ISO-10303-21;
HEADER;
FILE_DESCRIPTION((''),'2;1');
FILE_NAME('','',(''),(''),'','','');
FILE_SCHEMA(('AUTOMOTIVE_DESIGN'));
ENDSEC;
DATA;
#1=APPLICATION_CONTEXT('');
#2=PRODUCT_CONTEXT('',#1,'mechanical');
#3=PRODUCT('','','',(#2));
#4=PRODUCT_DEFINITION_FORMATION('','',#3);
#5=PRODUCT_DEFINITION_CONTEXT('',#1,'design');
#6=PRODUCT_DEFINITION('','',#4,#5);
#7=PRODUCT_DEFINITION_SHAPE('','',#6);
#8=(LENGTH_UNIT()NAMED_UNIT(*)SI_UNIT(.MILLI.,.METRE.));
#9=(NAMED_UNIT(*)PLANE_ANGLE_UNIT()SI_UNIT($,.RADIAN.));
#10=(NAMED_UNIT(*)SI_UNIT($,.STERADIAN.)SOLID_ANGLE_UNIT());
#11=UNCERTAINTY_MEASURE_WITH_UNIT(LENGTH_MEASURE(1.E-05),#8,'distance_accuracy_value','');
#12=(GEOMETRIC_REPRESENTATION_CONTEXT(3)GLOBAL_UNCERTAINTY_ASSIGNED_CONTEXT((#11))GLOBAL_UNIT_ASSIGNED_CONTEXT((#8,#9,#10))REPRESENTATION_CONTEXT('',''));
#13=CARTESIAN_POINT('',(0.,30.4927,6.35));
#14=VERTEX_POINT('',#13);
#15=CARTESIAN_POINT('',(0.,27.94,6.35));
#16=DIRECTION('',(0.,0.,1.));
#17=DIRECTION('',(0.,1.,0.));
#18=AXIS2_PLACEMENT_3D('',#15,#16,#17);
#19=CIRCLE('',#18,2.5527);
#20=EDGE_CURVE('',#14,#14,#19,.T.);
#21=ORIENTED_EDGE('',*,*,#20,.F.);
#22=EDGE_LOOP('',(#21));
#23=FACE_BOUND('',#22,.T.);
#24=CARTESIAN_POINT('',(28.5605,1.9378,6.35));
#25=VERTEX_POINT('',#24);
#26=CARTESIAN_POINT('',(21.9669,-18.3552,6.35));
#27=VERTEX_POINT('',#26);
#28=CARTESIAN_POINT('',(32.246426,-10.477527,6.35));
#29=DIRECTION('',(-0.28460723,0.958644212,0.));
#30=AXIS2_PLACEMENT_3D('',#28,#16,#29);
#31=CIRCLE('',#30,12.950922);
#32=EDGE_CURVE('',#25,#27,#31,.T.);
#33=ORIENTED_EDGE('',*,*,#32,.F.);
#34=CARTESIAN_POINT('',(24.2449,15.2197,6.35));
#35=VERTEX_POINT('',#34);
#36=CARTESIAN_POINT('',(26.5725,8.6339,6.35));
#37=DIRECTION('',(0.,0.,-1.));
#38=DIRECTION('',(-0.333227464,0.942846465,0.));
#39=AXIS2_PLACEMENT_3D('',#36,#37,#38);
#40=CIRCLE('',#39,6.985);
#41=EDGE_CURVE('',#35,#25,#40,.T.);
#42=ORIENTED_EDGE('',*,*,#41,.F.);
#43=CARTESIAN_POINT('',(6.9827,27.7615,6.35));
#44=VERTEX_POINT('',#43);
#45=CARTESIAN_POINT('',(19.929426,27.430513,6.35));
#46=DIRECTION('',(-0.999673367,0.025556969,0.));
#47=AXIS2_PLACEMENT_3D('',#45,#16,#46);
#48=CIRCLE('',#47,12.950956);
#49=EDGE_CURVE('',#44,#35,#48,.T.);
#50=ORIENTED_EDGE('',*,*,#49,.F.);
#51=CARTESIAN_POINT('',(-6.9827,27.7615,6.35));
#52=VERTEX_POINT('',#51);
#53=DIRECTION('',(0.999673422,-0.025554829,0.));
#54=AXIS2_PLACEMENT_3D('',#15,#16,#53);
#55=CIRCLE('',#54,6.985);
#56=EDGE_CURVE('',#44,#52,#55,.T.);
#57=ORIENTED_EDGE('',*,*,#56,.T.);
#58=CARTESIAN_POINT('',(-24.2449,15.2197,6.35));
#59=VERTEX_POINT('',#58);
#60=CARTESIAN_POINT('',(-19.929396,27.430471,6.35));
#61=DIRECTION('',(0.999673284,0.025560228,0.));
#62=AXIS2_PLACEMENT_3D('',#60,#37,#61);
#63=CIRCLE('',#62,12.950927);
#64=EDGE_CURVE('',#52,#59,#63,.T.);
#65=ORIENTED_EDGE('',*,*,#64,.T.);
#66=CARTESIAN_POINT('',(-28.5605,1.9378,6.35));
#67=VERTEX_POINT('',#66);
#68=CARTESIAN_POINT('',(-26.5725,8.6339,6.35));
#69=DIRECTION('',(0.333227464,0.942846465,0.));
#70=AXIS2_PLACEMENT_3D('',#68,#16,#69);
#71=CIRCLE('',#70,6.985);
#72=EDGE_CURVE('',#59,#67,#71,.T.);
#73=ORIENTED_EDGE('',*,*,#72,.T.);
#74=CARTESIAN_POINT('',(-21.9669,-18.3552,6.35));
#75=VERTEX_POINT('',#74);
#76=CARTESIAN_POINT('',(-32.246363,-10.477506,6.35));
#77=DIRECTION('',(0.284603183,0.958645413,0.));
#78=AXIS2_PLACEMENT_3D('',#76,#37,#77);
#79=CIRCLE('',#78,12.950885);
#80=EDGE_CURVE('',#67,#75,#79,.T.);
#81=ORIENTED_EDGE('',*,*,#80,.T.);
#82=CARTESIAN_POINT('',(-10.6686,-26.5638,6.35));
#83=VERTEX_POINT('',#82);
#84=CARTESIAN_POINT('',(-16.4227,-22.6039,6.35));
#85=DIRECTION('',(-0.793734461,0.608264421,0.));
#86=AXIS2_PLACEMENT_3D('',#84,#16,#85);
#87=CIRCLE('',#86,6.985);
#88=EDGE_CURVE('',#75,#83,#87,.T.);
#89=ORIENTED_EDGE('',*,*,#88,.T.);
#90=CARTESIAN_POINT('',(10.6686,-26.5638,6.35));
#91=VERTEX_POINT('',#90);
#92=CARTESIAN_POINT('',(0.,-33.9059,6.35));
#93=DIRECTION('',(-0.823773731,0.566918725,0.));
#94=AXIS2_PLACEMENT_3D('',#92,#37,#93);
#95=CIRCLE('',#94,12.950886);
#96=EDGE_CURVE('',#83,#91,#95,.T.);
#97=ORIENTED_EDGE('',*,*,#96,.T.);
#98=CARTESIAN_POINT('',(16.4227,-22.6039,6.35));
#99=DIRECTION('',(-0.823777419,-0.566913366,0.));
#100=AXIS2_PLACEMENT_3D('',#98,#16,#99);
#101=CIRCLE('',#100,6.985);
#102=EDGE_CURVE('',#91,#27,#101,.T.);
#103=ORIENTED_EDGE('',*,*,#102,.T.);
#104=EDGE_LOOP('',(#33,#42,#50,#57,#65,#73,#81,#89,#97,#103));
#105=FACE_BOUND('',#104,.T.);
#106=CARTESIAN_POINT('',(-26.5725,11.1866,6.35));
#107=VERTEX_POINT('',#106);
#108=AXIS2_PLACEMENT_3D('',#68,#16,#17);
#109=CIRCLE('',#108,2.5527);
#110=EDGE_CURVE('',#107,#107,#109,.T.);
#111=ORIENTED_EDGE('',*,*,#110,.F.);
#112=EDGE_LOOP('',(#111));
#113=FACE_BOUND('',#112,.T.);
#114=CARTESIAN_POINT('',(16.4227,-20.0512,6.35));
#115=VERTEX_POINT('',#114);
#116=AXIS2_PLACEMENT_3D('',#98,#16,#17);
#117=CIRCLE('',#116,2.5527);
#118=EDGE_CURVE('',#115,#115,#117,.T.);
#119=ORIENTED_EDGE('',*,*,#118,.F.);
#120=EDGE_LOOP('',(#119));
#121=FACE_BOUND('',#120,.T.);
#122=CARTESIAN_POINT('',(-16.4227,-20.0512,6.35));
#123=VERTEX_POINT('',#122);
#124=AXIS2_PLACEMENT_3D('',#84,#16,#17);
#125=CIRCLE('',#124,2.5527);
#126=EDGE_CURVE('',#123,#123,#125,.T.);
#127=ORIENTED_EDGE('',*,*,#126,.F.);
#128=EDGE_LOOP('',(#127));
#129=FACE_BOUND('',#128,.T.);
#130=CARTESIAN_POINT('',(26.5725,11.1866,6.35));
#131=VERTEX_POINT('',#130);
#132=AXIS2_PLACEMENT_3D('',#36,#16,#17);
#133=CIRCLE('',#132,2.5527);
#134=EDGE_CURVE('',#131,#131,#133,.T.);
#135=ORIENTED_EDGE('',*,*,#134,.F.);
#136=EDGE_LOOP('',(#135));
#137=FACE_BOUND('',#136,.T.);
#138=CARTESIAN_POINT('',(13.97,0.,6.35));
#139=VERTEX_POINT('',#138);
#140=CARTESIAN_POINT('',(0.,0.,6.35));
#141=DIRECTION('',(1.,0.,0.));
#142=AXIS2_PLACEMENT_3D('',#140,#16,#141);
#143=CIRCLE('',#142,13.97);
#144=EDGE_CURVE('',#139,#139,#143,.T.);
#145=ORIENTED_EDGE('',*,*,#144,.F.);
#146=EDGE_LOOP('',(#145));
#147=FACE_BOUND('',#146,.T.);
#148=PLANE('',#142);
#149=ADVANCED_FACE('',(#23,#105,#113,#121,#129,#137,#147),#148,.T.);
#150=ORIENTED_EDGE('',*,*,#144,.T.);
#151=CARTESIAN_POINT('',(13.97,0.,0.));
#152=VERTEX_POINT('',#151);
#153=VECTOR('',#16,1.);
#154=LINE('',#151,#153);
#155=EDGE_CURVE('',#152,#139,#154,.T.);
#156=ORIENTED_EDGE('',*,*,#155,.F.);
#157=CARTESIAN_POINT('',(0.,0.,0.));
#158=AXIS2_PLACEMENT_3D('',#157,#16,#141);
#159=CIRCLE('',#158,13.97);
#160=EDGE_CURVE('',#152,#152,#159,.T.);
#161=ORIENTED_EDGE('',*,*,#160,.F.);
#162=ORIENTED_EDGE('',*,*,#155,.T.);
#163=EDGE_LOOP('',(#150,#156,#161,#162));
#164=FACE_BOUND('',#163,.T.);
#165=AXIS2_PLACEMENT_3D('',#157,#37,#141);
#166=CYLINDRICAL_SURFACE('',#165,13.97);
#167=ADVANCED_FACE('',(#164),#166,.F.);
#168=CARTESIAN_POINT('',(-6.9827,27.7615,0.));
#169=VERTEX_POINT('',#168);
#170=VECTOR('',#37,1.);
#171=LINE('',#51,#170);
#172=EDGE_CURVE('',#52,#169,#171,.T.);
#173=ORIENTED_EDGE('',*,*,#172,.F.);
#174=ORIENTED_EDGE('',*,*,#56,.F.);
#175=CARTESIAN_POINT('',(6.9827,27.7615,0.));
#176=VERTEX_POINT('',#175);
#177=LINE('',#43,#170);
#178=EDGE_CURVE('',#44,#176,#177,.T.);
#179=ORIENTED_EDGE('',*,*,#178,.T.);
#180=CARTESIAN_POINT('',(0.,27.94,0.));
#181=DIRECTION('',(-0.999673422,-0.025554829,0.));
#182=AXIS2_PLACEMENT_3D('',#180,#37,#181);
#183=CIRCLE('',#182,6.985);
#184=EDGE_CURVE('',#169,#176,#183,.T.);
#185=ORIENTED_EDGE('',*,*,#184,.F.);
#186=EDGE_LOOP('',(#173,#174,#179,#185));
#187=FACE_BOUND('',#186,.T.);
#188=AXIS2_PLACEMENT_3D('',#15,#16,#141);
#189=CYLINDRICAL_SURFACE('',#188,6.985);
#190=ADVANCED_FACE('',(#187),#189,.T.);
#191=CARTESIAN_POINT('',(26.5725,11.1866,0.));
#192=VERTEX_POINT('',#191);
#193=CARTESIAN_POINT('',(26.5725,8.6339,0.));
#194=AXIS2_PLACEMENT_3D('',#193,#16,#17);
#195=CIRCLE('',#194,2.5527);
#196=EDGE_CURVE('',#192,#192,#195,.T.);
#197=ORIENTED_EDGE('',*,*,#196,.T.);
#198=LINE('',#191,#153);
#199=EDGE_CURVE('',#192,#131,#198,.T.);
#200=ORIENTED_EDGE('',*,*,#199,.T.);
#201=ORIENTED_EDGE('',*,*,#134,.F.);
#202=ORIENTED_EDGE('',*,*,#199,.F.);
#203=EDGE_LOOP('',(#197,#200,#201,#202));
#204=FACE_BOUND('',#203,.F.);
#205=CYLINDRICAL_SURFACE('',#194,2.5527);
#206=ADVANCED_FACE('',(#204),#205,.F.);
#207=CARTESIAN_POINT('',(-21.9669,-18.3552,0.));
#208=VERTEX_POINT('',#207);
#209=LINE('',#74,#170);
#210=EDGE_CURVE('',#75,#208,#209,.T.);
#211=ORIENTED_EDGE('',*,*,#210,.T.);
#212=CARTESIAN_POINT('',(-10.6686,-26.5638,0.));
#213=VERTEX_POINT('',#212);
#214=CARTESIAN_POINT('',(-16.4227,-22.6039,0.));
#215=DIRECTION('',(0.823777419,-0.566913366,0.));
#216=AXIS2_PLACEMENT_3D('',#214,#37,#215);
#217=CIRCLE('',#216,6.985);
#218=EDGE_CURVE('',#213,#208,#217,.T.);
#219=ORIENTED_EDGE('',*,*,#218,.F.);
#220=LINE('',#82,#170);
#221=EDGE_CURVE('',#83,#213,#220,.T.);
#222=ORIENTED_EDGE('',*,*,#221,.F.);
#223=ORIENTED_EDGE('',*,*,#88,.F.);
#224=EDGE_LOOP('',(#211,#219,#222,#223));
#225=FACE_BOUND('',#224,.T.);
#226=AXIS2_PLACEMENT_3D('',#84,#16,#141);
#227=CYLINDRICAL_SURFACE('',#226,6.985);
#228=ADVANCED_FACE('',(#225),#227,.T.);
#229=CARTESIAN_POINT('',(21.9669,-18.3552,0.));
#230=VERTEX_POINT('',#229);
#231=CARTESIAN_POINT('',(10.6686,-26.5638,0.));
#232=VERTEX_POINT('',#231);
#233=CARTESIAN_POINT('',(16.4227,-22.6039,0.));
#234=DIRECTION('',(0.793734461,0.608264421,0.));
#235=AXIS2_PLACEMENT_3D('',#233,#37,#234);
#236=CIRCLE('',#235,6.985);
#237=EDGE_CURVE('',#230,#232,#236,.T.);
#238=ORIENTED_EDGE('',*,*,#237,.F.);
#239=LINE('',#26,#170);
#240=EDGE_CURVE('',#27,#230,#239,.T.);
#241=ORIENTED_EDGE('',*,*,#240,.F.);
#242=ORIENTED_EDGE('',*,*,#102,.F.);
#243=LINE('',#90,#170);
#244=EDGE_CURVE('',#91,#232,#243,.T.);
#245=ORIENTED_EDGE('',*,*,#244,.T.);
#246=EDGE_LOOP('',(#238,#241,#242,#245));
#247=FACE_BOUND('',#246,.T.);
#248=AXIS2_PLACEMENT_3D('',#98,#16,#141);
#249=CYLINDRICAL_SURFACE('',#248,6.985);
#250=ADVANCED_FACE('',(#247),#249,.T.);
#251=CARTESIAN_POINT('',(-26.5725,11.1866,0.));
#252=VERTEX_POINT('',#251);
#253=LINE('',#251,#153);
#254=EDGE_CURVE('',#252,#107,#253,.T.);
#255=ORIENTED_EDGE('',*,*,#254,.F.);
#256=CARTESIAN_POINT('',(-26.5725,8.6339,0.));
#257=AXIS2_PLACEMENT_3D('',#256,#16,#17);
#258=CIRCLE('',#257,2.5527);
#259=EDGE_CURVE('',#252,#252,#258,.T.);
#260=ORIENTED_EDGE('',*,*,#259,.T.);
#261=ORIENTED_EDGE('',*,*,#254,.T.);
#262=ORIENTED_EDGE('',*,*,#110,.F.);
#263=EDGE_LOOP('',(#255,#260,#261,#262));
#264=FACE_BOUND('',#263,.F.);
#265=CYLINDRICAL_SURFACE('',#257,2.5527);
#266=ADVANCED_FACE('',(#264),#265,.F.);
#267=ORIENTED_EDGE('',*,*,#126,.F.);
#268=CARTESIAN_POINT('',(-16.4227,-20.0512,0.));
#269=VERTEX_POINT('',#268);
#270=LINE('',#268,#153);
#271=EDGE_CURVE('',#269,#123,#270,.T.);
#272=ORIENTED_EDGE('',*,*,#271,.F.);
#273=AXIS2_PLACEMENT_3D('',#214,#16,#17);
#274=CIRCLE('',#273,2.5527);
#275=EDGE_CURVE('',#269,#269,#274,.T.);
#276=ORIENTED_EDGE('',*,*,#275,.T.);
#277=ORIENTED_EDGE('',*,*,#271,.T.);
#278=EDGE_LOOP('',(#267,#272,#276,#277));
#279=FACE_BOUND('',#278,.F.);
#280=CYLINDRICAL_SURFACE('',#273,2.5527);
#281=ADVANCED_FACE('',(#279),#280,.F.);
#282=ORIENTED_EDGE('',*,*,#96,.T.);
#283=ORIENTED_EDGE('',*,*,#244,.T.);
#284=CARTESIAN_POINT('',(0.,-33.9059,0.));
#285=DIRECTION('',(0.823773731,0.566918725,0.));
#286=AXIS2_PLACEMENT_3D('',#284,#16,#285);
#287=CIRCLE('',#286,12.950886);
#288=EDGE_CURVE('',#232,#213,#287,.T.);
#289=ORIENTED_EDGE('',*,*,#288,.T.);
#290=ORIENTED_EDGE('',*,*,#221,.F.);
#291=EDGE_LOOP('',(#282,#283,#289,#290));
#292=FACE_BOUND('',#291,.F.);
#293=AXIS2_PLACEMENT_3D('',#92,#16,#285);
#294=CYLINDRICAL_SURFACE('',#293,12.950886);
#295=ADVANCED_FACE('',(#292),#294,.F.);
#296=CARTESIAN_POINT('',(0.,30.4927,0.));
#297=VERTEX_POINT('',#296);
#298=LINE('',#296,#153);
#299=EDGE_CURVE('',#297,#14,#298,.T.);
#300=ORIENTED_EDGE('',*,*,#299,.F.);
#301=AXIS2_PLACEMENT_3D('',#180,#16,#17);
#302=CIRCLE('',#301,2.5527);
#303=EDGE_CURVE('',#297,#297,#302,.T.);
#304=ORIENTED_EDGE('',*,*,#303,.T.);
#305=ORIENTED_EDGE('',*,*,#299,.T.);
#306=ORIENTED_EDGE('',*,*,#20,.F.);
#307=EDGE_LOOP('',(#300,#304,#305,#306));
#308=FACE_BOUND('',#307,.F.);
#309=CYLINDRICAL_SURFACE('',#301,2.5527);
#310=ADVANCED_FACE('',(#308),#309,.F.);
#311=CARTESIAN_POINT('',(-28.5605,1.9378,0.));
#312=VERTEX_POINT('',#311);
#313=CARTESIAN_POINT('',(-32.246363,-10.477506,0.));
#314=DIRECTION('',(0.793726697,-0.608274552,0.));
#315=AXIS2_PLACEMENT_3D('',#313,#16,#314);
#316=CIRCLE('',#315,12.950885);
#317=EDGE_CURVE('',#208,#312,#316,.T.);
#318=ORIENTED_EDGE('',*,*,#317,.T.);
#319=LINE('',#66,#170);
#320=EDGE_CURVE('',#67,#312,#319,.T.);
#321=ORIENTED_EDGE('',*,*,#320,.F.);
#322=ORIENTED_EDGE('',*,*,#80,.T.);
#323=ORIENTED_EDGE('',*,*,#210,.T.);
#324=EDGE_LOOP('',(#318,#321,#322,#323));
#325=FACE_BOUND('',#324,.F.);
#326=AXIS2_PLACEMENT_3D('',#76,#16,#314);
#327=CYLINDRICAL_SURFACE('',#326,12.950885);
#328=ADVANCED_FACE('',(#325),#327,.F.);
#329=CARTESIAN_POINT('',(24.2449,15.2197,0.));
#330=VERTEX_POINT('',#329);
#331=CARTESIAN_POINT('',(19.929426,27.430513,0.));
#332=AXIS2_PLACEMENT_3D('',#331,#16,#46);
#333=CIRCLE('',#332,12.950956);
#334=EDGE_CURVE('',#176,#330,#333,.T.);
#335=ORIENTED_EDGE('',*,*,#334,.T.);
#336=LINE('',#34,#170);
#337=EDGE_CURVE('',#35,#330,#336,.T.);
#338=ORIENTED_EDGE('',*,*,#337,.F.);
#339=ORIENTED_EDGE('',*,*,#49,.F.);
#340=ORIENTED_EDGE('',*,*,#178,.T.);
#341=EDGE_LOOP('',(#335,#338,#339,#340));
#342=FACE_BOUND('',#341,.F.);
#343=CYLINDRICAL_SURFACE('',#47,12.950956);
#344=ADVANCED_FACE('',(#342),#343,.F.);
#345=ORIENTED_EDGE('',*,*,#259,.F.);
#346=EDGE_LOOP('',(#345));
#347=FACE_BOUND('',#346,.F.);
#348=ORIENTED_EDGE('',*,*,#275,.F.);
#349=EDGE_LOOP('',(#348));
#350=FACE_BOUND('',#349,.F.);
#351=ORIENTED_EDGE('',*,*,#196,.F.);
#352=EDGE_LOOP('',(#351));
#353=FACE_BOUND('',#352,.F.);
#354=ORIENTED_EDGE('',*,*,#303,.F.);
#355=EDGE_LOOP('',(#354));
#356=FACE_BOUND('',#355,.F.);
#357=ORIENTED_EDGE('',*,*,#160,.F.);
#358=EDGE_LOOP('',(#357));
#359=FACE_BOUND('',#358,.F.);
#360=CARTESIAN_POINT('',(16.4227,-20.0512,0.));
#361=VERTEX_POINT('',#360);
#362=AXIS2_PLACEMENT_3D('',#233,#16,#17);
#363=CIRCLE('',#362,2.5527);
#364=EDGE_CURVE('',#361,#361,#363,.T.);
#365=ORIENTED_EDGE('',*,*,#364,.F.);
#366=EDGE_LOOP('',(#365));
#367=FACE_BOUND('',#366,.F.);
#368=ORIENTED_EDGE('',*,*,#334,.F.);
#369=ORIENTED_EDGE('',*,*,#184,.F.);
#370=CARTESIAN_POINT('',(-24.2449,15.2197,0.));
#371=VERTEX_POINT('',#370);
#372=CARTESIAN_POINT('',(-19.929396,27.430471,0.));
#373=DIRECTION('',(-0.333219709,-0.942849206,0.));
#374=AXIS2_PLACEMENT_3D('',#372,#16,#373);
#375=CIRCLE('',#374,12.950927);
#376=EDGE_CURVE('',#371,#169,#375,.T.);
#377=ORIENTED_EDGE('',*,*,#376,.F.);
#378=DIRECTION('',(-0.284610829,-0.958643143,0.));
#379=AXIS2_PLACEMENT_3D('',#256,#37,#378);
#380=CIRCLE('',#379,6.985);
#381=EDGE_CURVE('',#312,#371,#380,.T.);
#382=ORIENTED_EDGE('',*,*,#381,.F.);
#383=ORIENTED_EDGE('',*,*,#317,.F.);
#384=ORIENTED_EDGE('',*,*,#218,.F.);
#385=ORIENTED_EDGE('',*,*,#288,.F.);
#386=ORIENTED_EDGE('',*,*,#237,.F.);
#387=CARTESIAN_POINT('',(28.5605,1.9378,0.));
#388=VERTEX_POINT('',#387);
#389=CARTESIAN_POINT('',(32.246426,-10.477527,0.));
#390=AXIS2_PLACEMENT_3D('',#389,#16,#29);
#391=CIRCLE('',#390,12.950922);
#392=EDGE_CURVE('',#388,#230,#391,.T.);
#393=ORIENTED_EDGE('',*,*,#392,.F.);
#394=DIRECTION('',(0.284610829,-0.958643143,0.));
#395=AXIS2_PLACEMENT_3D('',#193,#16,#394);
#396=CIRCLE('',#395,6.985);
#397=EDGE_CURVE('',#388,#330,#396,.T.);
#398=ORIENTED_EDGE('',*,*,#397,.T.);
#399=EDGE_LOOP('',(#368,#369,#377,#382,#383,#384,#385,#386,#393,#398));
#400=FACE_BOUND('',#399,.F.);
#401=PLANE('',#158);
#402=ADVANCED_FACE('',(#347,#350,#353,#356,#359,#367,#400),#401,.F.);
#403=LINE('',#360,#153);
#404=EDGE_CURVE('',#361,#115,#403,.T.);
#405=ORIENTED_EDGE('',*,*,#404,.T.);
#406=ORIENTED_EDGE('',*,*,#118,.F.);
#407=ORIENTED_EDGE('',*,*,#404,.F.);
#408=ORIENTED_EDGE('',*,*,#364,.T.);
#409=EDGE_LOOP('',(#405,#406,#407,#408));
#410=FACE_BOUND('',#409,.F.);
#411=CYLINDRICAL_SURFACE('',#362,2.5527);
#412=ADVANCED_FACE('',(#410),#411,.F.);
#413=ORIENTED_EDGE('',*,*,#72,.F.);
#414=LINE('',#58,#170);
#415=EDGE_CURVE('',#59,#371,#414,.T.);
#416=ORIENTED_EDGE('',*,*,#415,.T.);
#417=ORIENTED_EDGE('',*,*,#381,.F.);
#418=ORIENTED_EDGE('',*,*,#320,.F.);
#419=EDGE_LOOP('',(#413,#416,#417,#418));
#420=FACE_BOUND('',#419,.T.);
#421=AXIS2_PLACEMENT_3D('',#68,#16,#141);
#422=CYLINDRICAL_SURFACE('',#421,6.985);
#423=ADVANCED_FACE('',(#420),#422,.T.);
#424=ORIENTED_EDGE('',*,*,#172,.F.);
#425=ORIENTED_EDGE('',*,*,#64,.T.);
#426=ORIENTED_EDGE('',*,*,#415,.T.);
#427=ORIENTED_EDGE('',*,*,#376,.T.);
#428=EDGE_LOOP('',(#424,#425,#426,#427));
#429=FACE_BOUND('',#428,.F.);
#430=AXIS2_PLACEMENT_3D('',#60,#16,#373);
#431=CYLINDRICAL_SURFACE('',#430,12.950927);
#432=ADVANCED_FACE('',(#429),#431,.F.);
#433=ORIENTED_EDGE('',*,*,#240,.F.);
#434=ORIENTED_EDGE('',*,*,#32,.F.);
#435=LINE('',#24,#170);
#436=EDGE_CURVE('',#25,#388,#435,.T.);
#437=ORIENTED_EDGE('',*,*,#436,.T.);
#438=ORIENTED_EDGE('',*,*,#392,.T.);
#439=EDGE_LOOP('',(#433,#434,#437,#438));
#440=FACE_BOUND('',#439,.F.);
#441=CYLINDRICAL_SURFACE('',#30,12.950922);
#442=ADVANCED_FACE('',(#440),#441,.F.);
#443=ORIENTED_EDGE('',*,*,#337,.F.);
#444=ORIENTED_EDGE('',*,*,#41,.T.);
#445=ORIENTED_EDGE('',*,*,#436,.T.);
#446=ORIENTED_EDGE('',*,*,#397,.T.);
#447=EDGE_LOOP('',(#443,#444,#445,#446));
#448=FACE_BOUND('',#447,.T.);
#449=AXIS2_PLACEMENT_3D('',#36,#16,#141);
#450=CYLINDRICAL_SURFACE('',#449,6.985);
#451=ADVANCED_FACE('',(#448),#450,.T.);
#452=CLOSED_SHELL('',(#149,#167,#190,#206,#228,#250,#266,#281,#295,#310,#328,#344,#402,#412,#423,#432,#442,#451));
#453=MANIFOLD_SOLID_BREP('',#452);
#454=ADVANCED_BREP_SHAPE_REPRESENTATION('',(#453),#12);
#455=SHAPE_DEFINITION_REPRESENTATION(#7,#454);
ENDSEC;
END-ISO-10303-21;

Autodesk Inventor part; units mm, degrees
ref_plane "YZ Plane" through (0, 0, 0) normal (1, 0, 0) x (0, 1, 0)
ref_plane "XZ Plane" through (0, 0, 0) normal (0, 1, 0) x (-1, 0, 0)
ref_plane "XY Plane" through (0, 0, 0) normal (0, 0, 1) x (1, 0, 0)
sketch "Sketch1" plane through (0, 0, 0) normal (0, 0, 1) x (1, 0, 0)
  circle A0 centre (0, 0) radius 13.97
  circle A1 centre (0, 0) radius 34.925
  circle A2 centre (0, 0) radius 27.94
  point P0 (0, 27.94)
  point P1 (-26.5725, 8.6339)
  point P2 (-16.4227, -22.6039)
  point P3 (16.4227, -22.6039)
  point P4 (26.5725, 8.6339)
  dimension "d2" = 55.88
  dimension "d0" = 27.94
  dimension "d1" = 69.85
  dimension "d5" = 360
extrude "Extrusion1" add sketch "Sketch1" along normal blind 6.35 contours A1 | A2
hole "Hole1" at (0, 27.94, 0) at (-26.5725, 8.6339, 0) at (-16.4227, -22.6039, 0) at (16.4227, -22.6039, 0) at (26.5725, 8.6339, 0) direction (0, 0, 1) diameter 5.1054 end through all
thread "Thread1" size "1/4-20 UNC" class "2B" standard "ANSI Unified Screw Threads" full length
thread "Thread2" size "12-24 UNC" class "2B" standard "ANSI Unified Screw Threads" full length
thread "Thread3" size "12-24 UNC" class "2B" standard "ANSI Unified Screw Threads" full length
thread "Thread4" size "12-24 UNC" class "2B" standard "ANSI Unified Screw Threads" full length
thread "Thread5" size "12-24 UNC" class "2B" standard "ANSI Unified Screw Threads" full length
sketch "Sketch2" plane through (0, 0, 6.35) normal (0, 0, 1) x (1, 0, 0)
  circle A0 centre (0, 27.94) radius 2.5527 projected
  circle A1 centre (-26.5725, 8.6339) radius 2.5527 projected
  circle A2 centre (-16.4227, -22.6039) radius 2.5527 projected
  circle A3 centre (16.4227, -22.6039) radius 2.5527 projected
  circle A4 centre (26.5725, 8.6339) radius 2.5527 projected
  circle A5 centre (-26.5725, 8.6339) radius 6.985
  circle A6 centre (0, 27.94) radius 6.985
  circle A7 centre (26.5725, 8.6339) radius 6.985
  circle A8 centre (16.4227, -22.6039) radius 6.985
  circle A9 centre (-16.4227, -22.6039) radius 6.985
  circle A10 centre (0, 0) radius 34.925 projected
  circle A11 centre (0, 0) radius 20.955
  arc A12 (-24.2449, 15.2197) -> (-6.9827, 27.7615) centre (-19.9294, 27.4305) ccw
  arc A13 (-21.9669, -18.3552) -> (-28.5605, 1.9378) centre (-32.2464, -10.4775) ccw
  arc A14 (10.6686, -26.5638) -> (-10.6686, -26.5638) centre (0, -33.9059) ccw
  arc A15 (28.5605, 1.9378) -> (21.9669, -18.3552) centre (32.2464, -10.4775) ccw
  arc A16 (6.9827, 27.7615) -> (24.2449, 15.2197) centre (19.9294, 27.4305) ccw
  point P0 (-28.5605, 1.9378)
  point P1 (-33.2156, 10.7924)
  point P2 (-20.5284, -28.2549)
  point P3 (-21.9669, -18.3552)
  point P4 (0, 34.925)
  point P5 (33.2156, 10.7924)
  point P6 (6.9827, 27.7615)
  point P7 (21.9669, -18.3552)
  point P8 (20.5284, -28.2549)
  point P9 (28.5605, 1.9378)
  point P10 (-10.6686, -26.5638)
  point P11 (10.6686, -26.5638)
  dimension "d29" = 360
extrude "Extrusion2" cut sketch "Sketch2" against normal blind 25.4 contours A5 A10 A6 A12 | A5 A13 A9 A10 | A10 A7 A16 A6 | A9 A14 A8 A10 | A10 A8 A15 A7
properties part number "panel_flange"
